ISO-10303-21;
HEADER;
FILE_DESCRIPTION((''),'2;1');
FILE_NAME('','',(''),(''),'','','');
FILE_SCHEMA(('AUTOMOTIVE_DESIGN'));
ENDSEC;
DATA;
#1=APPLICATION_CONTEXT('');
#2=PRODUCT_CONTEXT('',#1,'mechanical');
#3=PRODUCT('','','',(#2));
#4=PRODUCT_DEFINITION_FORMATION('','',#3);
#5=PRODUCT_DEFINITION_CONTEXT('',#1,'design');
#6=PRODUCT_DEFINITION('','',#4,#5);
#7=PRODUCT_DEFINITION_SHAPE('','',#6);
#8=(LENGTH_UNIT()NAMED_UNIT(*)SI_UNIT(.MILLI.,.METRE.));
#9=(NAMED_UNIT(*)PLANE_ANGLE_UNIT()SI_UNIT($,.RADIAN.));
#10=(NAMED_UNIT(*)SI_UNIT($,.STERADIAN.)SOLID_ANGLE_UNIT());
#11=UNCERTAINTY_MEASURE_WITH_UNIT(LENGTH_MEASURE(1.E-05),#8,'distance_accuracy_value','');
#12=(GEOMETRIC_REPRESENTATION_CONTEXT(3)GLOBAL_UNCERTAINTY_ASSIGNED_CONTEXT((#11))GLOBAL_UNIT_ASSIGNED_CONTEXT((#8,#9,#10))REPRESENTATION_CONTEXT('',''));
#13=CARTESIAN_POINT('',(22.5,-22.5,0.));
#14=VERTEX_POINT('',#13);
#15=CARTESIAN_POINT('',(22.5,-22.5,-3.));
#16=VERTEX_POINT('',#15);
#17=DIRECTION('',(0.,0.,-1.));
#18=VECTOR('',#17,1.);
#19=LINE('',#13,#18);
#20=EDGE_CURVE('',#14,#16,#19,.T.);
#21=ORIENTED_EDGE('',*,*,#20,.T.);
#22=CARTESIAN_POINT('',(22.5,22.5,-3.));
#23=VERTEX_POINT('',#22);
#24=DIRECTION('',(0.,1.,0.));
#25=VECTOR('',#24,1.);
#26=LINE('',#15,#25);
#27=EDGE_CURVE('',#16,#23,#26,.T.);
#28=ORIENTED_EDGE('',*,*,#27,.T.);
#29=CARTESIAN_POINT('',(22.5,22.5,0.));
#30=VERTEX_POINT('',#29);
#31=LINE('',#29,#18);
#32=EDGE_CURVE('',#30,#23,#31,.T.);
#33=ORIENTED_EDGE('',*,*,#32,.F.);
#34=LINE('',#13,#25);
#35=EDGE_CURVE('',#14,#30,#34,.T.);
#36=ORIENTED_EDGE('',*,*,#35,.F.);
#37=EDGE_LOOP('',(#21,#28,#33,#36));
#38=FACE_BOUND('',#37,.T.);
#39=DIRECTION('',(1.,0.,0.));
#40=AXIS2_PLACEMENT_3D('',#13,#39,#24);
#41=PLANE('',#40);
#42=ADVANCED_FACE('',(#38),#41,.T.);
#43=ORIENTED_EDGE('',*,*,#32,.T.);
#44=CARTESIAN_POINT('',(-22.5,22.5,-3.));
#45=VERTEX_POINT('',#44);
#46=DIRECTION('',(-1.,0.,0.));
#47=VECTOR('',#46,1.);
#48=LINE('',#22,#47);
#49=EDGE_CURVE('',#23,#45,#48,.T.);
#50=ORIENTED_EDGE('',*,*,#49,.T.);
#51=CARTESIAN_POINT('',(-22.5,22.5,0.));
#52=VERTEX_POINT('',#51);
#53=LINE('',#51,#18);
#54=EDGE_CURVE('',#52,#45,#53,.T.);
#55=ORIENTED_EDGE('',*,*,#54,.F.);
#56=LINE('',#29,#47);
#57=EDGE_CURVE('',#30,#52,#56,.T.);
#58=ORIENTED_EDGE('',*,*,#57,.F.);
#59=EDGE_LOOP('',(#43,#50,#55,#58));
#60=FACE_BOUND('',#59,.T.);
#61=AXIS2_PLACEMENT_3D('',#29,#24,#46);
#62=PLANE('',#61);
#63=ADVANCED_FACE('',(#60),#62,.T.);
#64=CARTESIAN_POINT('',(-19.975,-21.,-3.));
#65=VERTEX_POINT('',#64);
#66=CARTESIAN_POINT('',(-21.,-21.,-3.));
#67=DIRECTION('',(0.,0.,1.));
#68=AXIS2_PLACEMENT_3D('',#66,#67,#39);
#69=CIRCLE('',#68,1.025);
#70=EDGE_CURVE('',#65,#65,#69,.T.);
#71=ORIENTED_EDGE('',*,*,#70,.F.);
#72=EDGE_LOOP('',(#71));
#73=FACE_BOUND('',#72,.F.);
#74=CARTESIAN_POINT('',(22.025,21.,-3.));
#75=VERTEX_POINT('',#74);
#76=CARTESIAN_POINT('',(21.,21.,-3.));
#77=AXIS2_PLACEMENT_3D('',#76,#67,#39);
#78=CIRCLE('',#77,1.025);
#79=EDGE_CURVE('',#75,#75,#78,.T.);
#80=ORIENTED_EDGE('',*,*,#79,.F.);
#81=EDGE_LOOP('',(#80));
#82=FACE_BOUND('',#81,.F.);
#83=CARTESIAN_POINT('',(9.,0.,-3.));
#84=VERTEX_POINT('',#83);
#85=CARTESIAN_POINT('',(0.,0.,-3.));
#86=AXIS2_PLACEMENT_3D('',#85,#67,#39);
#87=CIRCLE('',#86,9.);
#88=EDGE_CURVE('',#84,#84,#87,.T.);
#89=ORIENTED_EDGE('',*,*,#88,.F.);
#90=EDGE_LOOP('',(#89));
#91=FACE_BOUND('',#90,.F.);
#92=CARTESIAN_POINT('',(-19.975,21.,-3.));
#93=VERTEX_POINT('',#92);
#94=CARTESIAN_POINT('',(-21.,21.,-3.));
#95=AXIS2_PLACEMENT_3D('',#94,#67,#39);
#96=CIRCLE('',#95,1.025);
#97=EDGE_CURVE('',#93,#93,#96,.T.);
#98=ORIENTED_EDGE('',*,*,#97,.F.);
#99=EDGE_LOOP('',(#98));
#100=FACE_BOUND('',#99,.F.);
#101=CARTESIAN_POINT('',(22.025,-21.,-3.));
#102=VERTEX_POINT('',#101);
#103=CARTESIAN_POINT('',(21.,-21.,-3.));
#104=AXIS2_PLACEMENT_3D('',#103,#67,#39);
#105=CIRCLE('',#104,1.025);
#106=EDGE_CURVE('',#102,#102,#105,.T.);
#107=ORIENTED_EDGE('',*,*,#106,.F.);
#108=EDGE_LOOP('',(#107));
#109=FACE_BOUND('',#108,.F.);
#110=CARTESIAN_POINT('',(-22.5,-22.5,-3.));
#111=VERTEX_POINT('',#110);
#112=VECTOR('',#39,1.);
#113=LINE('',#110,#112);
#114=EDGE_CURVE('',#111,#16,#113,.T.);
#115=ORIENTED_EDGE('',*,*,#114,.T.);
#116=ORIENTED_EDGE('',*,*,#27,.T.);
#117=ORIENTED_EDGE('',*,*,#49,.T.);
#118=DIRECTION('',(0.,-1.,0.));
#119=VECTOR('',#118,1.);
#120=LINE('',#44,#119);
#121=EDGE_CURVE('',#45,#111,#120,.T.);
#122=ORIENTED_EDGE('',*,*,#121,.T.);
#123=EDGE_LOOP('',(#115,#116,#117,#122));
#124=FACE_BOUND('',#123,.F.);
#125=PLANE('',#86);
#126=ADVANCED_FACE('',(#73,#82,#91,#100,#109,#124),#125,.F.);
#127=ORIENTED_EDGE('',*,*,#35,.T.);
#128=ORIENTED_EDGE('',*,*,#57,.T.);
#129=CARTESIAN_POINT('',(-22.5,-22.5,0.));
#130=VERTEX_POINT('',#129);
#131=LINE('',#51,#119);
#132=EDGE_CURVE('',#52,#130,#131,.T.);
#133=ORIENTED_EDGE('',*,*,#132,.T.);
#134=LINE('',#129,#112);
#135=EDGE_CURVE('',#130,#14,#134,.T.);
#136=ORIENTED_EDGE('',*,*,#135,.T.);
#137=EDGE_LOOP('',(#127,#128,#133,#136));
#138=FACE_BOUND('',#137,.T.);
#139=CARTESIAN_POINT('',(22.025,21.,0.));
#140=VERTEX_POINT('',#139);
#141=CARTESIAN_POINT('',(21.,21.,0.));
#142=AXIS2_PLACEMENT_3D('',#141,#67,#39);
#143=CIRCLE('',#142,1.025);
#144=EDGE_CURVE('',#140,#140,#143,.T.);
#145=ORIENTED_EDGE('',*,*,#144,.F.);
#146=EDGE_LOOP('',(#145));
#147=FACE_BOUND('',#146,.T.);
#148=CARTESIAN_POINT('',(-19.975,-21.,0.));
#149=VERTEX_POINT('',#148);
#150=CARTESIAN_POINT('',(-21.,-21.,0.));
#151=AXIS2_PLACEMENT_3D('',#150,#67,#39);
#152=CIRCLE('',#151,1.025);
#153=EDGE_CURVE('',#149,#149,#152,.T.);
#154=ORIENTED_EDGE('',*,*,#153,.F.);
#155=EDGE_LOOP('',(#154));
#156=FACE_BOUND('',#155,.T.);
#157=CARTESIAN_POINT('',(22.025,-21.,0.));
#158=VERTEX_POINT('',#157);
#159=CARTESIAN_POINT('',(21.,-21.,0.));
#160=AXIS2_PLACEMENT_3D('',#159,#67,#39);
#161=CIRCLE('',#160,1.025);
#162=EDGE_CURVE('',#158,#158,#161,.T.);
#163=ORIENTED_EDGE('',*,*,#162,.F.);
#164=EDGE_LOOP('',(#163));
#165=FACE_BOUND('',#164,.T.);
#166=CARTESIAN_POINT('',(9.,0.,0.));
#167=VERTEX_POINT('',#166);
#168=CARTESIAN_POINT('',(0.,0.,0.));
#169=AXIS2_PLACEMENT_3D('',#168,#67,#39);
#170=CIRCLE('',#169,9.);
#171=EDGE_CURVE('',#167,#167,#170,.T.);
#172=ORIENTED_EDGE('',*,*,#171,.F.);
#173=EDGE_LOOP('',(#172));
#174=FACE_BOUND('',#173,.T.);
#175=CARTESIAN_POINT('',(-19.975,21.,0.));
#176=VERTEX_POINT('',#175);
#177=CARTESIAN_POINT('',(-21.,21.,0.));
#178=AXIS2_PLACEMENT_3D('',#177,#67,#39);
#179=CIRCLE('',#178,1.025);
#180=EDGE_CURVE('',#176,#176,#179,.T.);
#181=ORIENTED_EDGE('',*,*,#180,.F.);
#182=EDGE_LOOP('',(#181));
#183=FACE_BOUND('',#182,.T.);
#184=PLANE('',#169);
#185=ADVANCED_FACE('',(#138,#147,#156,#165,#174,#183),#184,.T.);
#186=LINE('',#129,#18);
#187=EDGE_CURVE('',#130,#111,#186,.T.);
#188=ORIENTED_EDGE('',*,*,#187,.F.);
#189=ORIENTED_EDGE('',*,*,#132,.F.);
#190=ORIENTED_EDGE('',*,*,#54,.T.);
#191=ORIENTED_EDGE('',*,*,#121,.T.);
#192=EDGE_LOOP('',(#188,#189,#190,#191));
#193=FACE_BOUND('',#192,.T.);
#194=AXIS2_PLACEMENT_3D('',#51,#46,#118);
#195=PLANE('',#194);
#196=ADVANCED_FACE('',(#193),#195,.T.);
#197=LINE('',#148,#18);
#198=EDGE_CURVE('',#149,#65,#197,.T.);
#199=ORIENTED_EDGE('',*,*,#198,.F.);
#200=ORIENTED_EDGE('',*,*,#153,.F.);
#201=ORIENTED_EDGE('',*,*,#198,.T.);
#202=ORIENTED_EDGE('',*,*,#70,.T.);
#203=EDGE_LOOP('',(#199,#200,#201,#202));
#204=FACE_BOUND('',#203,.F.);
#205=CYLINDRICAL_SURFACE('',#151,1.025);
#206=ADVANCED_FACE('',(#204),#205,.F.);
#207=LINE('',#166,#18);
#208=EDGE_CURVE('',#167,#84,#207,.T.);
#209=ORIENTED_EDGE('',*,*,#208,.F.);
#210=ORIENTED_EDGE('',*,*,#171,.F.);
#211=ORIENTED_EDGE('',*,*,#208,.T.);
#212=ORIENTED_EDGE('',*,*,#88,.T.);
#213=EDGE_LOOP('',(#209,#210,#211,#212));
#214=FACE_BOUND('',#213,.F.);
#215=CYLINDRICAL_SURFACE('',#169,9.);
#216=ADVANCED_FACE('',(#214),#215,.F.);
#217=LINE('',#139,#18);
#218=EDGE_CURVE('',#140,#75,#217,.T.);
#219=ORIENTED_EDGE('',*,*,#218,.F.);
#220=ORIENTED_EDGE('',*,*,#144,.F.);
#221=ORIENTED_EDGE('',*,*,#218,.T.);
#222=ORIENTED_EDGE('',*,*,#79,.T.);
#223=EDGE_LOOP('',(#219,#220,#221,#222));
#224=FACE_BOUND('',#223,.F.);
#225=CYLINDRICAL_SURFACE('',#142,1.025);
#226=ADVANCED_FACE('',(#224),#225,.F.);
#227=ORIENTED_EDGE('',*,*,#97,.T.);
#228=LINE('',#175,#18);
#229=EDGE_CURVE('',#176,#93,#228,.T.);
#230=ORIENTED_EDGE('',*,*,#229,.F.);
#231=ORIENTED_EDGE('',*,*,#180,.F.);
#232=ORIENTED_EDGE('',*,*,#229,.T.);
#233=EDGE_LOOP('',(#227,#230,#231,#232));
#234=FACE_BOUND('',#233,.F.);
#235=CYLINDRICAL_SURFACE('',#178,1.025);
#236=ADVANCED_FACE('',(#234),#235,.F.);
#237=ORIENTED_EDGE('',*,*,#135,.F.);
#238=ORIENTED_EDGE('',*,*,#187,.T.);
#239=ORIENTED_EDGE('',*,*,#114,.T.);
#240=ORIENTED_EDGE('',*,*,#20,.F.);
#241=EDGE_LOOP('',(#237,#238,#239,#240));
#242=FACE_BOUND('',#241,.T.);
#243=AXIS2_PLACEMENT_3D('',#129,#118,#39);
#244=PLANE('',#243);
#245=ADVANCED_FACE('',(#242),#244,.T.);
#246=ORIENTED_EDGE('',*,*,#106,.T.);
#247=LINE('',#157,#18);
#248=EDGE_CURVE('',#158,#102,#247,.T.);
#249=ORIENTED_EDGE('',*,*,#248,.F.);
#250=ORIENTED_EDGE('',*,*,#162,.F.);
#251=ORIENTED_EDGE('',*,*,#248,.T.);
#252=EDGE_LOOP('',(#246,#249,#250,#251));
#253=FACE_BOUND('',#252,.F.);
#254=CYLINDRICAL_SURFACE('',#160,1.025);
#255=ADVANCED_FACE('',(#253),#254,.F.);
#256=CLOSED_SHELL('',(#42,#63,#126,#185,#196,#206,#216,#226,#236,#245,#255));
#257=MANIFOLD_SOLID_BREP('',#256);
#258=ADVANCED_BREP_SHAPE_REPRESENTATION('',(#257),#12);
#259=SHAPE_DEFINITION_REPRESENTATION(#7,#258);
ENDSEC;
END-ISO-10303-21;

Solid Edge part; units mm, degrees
sketch "Sketch1" plane through (0, 0, 0) normal (0, 0, 1) x (1, 0, 0)
  line L0 (22.5, 22.5) -> (-22.5, 22.5)
  line L1 (-22.5, 22.5) -> (-22.5, -22.5)
  line L2 (-22.5, -22.5) -> (22.5, -22.5)
  line L3 (22.5, -22.5) -> (22.5, 22.5)
  circle A0 centre (0, 0) radius 9
  dimension "D1" = 45
  dimension "D2" = 45
  dimension "D3" = 22.5
  dimension "D4" = 18
extrude "Protrusion1" add sketch "Sketch1" against normal blind 3
sketch "Sketch2" plane through (0, 0, 0) normal (0, 0, 1) x (1, 0, 0)
  circle A0 centre (-21, 21) radius 1.025
  circle A1 centre (-21, -21) radius 1.025
  circle A2 centre (21, -21) radius 1.025
  circle A3 centre (21, 21) radius 1.025
  dimension "D1" = 1.5
  dimension "D2" = 1.5
  dimension "D3" = 1.5
  dimension "D4" = 1.5
extrude "ExtrudedCutout_1" cut sketch "Sketch2" against normal blind 78.3851
properties part number "BumbleB0360"
